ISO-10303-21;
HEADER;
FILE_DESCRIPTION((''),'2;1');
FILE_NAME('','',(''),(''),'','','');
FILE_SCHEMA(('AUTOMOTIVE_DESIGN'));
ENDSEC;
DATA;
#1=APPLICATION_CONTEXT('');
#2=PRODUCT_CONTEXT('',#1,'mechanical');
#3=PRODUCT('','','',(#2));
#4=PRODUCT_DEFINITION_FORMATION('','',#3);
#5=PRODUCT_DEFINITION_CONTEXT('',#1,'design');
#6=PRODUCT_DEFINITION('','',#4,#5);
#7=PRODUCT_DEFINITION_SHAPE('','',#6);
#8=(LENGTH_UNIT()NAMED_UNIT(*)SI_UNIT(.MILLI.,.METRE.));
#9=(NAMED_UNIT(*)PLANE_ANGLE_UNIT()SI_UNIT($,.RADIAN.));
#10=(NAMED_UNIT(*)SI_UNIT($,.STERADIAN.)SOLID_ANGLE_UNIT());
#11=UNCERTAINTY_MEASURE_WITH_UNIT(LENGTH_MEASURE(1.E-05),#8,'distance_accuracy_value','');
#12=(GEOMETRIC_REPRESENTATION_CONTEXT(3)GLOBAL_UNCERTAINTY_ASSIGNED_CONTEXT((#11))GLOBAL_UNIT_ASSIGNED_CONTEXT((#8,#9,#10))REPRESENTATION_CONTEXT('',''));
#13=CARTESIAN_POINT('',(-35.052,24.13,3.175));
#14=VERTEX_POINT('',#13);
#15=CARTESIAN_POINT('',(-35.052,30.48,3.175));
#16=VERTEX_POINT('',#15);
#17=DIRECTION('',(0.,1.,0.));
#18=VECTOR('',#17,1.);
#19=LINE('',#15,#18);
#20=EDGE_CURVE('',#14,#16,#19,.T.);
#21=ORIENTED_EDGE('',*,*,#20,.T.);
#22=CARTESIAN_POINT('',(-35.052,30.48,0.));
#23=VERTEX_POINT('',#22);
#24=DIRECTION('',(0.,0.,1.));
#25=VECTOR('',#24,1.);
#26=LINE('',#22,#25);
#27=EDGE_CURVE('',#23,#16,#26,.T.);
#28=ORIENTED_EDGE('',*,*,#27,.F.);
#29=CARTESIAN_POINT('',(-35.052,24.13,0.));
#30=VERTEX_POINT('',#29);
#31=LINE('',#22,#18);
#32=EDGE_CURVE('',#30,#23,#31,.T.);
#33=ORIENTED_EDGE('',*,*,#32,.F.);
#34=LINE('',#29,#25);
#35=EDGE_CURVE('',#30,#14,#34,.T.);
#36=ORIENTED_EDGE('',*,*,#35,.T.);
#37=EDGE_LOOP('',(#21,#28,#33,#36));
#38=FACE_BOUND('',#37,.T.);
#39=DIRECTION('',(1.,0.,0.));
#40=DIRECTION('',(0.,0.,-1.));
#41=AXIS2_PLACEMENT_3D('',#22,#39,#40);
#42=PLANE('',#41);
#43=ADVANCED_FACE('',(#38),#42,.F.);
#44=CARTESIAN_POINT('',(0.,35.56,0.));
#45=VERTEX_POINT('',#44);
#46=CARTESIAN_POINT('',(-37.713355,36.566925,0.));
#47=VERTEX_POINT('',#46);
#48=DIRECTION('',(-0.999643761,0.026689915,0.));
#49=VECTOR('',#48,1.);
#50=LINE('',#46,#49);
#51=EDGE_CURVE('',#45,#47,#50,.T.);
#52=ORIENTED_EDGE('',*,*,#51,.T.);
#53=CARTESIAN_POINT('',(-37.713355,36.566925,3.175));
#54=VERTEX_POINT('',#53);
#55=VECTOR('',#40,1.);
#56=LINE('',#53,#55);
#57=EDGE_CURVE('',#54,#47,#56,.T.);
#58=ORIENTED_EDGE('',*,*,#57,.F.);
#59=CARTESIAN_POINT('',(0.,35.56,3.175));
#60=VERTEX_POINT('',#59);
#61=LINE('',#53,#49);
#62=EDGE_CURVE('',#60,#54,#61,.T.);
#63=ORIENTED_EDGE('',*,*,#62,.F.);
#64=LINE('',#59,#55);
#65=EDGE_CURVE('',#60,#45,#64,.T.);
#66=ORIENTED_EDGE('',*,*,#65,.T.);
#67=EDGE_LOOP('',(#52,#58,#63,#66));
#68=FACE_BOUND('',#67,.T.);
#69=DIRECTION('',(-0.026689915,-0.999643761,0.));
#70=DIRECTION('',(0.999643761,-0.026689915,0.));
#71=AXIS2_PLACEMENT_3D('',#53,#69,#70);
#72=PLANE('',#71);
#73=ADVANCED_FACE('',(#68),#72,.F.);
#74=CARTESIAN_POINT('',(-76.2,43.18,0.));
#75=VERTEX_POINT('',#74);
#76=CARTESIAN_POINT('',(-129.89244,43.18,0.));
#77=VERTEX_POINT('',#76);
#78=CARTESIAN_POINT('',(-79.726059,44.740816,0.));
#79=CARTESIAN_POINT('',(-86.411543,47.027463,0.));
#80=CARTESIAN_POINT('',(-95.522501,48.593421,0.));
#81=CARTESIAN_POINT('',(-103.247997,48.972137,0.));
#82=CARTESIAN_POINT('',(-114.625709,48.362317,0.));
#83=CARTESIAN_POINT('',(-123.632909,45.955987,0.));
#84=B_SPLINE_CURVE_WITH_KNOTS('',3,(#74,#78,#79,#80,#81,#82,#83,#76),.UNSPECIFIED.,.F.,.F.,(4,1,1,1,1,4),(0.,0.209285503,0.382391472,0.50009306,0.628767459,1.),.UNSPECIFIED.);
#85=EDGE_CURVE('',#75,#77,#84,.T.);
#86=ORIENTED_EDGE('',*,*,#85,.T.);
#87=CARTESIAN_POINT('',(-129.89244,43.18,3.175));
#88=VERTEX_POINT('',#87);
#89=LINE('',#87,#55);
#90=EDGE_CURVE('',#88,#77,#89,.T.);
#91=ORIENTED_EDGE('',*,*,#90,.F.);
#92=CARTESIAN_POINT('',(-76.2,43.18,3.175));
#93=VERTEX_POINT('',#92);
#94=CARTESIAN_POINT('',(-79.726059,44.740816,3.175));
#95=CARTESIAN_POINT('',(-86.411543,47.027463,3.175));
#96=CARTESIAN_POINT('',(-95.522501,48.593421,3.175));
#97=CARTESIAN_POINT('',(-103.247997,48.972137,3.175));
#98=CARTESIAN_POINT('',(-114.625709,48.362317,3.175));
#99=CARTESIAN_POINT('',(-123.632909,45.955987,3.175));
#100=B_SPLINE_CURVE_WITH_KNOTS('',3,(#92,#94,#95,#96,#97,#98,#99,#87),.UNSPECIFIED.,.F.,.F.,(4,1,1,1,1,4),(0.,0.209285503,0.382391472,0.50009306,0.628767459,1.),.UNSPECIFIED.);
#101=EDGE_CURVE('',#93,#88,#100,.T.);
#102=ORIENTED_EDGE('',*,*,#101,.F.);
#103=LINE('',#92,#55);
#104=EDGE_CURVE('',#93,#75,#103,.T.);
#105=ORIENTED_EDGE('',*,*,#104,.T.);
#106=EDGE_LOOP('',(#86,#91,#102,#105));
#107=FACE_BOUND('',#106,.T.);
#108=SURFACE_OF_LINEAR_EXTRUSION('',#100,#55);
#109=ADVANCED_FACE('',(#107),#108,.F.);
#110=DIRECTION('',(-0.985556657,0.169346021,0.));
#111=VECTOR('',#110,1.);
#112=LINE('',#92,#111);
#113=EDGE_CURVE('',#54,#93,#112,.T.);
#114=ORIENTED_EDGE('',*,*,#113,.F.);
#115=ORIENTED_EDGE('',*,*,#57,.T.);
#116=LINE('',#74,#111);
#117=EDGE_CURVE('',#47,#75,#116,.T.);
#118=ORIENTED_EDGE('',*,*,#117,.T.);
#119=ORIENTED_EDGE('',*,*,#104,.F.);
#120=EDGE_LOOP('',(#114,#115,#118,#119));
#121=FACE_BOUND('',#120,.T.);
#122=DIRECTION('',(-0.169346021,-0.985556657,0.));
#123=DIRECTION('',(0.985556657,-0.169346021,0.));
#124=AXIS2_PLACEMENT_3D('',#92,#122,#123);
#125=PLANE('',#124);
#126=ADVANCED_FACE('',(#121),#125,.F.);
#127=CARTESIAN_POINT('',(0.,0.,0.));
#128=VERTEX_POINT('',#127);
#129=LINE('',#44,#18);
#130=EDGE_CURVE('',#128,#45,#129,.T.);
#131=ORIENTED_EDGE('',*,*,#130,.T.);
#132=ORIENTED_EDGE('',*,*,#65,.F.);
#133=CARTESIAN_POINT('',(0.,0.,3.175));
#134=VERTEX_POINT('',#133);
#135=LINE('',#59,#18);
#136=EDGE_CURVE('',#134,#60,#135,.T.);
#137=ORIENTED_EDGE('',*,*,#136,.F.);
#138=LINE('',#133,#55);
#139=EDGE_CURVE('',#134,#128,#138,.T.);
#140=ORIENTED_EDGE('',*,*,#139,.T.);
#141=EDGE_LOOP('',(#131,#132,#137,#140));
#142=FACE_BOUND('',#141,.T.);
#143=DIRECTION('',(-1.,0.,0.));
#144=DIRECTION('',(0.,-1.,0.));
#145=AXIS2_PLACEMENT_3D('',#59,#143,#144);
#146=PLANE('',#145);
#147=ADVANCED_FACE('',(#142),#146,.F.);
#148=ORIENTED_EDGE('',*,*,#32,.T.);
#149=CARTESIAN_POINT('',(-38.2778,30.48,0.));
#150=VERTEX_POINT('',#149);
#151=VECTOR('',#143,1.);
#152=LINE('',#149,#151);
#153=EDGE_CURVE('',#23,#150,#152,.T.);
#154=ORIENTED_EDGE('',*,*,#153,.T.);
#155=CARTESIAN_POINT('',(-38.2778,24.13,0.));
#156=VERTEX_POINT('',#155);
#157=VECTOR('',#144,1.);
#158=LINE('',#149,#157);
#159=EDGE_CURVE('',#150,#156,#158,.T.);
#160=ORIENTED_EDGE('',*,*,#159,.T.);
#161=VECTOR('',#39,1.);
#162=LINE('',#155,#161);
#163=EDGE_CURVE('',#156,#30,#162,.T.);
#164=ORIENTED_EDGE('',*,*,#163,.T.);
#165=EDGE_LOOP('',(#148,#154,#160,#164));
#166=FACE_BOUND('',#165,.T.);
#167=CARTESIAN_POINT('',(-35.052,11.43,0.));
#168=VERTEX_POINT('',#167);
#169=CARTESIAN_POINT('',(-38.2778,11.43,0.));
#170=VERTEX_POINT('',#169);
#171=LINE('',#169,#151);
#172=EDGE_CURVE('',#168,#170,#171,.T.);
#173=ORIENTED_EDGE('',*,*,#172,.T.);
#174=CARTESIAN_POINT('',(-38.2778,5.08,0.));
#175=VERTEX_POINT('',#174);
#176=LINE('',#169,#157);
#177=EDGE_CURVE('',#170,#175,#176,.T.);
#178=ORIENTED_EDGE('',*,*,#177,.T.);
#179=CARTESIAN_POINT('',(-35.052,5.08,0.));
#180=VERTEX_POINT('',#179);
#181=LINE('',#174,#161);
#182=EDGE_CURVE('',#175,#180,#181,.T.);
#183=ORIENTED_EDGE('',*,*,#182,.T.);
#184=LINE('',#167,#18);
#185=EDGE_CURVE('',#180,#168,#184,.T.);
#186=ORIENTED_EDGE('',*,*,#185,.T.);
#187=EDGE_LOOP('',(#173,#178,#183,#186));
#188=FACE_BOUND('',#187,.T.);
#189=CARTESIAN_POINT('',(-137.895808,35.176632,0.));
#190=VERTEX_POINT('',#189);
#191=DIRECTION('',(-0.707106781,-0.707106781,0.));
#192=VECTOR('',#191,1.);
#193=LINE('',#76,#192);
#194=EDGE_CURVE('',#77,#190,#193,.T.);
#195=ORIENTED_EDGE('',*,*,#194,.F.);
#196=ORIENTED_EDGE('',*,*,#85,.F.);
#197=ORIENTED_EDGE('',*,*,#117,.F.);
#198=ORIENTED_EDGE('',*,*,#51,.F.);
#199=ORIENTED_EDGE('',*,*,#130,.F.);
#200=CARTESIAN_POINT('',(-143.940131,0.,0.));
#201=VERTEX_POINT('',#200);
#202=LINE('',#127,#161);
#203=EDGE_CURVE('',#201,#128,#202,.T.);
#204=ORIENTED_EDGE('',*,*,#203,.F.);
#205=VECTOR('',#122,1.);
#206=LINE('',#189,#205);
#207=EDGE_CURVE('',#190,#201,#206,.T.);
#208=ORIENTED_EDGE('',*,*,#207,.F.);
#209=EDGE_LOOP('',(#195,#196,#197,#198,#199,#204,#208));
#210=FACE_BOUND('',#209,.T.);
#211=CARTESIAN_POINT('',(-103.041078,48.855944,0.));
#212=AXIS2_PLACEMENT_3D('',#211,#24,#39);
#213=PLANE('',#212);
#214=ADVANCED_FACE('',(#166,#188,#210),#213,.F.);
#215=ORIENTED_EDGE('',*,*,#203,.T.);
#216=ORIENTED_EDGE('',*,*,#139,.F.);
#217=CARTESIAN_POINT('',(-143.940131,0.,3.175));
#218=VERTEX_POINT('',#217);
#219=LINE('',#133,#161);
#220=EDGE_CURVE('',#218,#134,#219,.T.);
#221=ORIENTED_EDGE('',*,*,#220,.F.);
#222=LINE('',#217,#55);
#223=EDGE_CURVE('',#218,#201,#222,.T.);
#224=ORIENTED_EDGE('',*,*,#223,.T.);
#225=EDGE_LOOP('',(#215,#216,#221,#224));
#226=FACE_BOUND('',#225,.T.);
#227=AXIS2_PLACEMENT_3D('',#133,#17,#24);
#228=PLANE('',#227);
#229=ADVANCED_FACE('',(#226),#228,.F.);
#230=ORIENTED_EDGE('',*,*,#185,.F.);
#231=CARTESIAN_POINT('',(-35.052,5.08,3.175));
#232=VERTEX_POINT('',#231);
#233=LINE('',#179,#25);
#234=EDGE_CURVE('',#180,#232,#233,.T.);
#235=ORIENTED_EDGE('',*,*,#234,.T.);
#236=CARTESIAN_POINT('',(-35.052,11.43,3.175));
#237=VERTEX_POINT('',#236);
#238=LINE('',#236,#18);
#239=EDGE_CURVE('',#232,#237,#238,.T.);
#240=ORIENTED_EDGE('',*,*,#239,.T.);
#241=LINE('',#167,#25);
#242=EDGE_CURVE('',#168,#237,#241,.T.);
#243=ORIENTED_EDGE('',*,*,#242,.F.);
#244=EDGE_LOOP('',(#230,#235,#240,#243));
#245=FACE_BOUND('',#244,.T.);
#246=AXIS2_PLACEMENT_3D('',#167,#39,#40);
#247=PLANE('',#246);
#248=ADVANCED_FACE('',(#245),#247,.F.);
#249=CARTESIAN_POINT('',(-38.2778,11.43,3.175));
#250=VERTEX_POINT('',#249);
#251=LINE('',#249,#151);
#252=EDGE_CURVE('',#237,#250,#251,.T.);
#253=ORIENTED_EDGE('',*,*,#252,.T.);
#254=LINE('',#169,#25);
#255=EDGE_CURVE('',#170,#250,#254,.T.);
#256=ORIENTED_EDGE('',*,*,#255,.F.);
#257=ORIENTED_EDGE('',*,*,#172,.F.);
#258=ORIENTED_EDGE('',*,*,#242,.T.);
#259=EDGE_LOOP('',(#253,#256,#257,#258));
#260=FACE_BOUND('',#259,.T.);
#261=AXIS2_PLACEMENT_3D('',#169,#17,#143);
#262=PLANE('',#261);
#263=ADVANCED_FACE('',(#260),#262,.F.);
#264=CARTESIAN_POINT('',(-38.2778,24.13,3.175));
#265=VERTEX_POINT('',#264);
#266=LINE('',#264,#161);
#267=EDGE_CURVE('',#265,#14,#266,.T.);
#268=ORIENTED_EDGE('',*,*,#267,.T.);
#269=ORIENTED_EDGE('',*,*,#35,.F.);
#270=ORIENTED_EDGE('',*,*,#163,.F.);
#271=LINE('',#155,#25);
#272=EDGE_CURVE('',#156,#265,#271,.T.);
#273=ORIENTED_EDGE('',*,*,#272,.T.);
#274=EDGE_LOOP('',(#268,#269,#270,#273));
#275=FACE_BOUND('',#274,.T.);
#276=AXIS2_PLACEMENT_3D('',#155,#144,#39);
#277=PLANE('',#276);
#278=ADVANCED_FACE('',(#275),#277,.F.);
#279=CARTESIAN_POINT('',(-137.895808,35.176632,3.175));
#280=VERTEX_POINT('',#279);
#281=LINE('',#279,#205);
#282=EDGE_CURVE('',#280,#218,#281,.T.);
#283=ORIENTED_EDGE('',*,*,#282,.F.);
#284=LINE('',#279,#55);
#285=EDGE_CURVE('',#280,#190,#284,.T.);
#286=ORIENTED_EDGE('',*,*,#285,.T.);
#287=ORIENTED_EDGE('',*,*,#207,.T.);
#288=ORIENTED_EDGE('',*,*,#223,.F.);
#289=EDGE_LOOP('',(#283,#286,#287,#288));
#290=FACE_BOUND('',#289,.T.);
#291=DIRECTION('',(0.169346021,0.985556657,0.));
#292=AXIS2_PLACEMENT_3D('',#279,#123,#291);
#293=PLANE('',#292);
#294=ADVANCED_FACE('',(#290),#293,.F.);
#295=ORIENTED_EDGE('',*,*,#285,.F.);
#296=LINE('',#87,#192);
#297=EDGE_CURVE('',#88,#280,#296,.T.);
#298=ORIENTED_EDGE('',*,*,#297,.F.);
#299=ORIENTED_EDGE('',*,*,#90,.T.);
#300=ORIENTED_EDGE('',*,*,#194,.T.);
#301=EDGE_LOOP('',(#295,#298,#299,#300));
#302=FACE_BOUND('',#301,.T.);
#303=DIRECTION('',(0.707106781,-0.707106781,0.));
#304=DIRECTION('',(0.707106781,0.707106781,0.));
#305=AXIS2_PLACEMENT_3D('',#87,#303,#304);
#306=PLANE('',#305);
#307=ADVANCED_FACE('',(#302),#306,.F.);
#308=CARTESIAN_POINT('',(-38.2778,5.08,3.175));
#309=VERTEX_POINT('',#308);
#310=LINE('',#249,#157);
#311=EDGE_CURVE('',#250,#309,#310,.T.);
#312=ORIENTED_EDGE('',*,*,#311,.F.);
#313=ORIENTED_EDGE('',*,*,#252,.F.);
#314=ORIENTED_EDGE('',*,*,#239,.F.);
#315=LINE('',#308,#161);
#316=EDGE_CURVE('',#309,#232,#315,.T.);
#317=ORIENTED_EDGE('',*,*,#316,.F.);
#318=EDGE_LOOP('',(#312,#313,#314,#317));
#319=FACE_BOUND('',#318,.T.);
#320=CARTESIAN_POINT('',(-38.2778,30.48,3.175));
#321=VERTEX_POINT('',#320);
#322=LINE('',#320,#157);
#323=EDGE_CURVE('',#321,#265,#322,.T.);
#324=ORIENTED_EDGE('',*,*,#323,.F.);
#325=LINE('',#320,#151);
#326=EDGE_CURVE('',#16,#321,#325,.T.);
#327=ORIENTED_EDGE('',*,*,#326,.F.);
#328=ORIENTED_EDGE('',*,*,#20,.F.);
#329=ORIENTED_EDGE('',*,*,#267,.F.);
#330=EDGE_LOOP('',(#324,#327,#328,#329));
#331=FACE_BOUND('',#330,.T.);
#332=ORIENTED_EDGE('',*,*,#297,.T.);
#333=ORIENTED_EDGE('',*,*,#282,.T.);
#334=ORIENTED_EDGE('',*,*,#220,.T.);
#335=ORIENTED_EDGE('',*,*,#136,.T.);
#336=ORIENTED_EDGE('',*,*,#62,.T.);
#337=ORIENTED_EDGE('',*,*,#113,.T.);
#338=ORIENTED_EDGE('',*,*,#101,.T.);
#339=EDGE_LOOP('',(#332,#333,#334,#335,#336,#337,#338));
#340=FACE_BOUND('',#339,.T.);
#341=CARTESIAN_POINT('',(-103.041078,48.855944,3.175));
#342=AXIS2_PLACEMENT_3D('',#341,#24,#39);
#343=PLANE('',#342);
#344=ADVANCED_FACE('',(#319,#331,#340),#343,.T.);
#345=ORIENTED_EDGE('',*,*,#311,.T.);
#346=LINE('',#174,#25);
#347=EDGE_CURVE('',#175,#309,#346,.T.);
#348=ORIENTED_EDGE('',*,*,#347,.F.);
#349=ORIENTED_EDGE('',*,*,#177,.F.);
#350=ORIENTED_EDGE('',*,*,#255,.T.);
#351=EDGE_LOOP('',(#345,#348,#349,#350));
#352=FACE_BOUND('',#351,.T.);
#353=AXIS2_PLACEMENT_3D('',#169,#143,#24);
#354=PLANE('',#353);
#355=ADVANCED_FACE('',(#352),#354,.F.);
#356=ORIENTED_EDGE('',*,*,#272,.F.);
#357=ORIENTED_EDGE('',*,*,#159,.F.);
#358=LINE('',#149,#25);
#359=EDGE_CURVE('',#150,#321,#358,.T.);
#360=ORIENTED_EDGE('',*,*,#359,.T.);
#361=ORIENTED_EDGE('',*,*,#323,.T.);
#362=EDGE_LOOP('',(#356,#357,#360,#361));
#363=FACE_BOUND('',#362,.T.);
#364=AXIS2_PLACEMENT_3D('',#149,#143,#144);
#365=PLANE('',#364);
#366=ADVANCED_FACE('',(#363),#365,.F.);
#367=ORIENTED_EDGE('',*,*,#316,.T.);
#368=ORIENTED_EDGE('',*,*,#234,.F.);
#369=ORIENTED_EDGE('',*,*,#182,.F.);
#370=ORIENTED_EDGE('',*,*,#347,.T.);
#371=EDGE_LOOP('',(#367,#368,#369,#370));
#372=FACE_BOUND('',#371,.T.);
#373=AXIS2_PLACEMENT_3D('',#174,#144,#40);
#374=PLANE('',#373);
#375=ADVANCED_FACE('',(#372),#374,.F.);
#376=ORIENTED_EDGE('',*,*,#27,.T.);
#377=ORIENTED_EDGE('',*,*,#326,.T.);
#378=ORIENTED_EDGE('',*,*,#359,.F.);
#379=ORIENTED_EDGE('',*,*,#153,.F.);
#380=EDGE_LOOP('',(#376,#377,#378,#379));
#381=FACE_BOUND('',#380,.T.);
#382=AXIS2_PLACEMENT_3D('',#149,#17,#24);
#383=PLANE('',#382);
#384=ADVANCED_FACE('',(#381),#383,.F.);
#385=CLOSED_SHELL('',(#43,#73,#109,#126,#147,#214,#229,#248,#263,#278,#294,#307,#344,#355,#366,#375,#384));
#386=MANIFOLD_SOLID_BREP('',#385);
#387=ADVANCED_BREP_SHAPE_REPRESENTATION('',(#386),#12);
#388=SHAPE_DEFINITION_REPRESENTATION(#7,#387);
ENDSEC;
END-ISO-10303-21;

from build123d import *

# Parameters (mm, degrees)
BOSS_EXTRUDE1_DEPTH  = 3.175
SKETCH3_W            = 3.2258
SKETCH3_H            = 6.35
HOLES_FOR_TABS_DEPTH = 4.1750001


with BuildPart() as part:
    # Sketch1 → Boss-Extrude1 (new body)
    with BuildSketch(Plane.XY):
        with BuildLine():
            Line((-76.2, 43.18), (-37.713355451, 36.56692496))
            Line((-37.713355451, 36.56692496), (0, 35.56))
            Line((0, 35.56), (0, 0))
            Line((0, 0), (-143.94013079, 0))
            Line((-143.94013079, 0), (-137.895807931, 35.176631753))
            Line((-137.895807931, 35.176631753), (-129.892439684, 43.18))
            add(Edge.make_bspline(
                [(-129.892439684, 43.18), (-123.632909294, 45.955986916), (-114.625709488, 48.362317243), (-103.247996656, 48.972136691), (-95.522501134, 48.59342086), (-86.411542659, 47.027463229), (-79.726058772, 44.740816459), (-76.2, 43.18)],
                knots=[0, 0, 0, 0, 0.371232541, 0.49990694, 0.617608528, 0.790714497, 1, 1, 1, 1], degree=3))
        make_face()
    extrude(amount=BOSS_EXTRUDE1_DEPTH)

    # Sketch3 → holes for tabs (cut, through all)
    with BuildSketch(Plane.XY.offset(3.175)):
        with Locations((-36.6649, 27.305)):
            Rectangle(SKETCH3_W, SKETCH3_H)
        with Locations((-36.6649, 8.255)):
            Rectangle(SKETCH3_W, SKETCH3_H)
    extrude(amount=-HOLES_FOR_TABS_DEPTH, mode=Mode.SUBTRACT)


solid = part.part
